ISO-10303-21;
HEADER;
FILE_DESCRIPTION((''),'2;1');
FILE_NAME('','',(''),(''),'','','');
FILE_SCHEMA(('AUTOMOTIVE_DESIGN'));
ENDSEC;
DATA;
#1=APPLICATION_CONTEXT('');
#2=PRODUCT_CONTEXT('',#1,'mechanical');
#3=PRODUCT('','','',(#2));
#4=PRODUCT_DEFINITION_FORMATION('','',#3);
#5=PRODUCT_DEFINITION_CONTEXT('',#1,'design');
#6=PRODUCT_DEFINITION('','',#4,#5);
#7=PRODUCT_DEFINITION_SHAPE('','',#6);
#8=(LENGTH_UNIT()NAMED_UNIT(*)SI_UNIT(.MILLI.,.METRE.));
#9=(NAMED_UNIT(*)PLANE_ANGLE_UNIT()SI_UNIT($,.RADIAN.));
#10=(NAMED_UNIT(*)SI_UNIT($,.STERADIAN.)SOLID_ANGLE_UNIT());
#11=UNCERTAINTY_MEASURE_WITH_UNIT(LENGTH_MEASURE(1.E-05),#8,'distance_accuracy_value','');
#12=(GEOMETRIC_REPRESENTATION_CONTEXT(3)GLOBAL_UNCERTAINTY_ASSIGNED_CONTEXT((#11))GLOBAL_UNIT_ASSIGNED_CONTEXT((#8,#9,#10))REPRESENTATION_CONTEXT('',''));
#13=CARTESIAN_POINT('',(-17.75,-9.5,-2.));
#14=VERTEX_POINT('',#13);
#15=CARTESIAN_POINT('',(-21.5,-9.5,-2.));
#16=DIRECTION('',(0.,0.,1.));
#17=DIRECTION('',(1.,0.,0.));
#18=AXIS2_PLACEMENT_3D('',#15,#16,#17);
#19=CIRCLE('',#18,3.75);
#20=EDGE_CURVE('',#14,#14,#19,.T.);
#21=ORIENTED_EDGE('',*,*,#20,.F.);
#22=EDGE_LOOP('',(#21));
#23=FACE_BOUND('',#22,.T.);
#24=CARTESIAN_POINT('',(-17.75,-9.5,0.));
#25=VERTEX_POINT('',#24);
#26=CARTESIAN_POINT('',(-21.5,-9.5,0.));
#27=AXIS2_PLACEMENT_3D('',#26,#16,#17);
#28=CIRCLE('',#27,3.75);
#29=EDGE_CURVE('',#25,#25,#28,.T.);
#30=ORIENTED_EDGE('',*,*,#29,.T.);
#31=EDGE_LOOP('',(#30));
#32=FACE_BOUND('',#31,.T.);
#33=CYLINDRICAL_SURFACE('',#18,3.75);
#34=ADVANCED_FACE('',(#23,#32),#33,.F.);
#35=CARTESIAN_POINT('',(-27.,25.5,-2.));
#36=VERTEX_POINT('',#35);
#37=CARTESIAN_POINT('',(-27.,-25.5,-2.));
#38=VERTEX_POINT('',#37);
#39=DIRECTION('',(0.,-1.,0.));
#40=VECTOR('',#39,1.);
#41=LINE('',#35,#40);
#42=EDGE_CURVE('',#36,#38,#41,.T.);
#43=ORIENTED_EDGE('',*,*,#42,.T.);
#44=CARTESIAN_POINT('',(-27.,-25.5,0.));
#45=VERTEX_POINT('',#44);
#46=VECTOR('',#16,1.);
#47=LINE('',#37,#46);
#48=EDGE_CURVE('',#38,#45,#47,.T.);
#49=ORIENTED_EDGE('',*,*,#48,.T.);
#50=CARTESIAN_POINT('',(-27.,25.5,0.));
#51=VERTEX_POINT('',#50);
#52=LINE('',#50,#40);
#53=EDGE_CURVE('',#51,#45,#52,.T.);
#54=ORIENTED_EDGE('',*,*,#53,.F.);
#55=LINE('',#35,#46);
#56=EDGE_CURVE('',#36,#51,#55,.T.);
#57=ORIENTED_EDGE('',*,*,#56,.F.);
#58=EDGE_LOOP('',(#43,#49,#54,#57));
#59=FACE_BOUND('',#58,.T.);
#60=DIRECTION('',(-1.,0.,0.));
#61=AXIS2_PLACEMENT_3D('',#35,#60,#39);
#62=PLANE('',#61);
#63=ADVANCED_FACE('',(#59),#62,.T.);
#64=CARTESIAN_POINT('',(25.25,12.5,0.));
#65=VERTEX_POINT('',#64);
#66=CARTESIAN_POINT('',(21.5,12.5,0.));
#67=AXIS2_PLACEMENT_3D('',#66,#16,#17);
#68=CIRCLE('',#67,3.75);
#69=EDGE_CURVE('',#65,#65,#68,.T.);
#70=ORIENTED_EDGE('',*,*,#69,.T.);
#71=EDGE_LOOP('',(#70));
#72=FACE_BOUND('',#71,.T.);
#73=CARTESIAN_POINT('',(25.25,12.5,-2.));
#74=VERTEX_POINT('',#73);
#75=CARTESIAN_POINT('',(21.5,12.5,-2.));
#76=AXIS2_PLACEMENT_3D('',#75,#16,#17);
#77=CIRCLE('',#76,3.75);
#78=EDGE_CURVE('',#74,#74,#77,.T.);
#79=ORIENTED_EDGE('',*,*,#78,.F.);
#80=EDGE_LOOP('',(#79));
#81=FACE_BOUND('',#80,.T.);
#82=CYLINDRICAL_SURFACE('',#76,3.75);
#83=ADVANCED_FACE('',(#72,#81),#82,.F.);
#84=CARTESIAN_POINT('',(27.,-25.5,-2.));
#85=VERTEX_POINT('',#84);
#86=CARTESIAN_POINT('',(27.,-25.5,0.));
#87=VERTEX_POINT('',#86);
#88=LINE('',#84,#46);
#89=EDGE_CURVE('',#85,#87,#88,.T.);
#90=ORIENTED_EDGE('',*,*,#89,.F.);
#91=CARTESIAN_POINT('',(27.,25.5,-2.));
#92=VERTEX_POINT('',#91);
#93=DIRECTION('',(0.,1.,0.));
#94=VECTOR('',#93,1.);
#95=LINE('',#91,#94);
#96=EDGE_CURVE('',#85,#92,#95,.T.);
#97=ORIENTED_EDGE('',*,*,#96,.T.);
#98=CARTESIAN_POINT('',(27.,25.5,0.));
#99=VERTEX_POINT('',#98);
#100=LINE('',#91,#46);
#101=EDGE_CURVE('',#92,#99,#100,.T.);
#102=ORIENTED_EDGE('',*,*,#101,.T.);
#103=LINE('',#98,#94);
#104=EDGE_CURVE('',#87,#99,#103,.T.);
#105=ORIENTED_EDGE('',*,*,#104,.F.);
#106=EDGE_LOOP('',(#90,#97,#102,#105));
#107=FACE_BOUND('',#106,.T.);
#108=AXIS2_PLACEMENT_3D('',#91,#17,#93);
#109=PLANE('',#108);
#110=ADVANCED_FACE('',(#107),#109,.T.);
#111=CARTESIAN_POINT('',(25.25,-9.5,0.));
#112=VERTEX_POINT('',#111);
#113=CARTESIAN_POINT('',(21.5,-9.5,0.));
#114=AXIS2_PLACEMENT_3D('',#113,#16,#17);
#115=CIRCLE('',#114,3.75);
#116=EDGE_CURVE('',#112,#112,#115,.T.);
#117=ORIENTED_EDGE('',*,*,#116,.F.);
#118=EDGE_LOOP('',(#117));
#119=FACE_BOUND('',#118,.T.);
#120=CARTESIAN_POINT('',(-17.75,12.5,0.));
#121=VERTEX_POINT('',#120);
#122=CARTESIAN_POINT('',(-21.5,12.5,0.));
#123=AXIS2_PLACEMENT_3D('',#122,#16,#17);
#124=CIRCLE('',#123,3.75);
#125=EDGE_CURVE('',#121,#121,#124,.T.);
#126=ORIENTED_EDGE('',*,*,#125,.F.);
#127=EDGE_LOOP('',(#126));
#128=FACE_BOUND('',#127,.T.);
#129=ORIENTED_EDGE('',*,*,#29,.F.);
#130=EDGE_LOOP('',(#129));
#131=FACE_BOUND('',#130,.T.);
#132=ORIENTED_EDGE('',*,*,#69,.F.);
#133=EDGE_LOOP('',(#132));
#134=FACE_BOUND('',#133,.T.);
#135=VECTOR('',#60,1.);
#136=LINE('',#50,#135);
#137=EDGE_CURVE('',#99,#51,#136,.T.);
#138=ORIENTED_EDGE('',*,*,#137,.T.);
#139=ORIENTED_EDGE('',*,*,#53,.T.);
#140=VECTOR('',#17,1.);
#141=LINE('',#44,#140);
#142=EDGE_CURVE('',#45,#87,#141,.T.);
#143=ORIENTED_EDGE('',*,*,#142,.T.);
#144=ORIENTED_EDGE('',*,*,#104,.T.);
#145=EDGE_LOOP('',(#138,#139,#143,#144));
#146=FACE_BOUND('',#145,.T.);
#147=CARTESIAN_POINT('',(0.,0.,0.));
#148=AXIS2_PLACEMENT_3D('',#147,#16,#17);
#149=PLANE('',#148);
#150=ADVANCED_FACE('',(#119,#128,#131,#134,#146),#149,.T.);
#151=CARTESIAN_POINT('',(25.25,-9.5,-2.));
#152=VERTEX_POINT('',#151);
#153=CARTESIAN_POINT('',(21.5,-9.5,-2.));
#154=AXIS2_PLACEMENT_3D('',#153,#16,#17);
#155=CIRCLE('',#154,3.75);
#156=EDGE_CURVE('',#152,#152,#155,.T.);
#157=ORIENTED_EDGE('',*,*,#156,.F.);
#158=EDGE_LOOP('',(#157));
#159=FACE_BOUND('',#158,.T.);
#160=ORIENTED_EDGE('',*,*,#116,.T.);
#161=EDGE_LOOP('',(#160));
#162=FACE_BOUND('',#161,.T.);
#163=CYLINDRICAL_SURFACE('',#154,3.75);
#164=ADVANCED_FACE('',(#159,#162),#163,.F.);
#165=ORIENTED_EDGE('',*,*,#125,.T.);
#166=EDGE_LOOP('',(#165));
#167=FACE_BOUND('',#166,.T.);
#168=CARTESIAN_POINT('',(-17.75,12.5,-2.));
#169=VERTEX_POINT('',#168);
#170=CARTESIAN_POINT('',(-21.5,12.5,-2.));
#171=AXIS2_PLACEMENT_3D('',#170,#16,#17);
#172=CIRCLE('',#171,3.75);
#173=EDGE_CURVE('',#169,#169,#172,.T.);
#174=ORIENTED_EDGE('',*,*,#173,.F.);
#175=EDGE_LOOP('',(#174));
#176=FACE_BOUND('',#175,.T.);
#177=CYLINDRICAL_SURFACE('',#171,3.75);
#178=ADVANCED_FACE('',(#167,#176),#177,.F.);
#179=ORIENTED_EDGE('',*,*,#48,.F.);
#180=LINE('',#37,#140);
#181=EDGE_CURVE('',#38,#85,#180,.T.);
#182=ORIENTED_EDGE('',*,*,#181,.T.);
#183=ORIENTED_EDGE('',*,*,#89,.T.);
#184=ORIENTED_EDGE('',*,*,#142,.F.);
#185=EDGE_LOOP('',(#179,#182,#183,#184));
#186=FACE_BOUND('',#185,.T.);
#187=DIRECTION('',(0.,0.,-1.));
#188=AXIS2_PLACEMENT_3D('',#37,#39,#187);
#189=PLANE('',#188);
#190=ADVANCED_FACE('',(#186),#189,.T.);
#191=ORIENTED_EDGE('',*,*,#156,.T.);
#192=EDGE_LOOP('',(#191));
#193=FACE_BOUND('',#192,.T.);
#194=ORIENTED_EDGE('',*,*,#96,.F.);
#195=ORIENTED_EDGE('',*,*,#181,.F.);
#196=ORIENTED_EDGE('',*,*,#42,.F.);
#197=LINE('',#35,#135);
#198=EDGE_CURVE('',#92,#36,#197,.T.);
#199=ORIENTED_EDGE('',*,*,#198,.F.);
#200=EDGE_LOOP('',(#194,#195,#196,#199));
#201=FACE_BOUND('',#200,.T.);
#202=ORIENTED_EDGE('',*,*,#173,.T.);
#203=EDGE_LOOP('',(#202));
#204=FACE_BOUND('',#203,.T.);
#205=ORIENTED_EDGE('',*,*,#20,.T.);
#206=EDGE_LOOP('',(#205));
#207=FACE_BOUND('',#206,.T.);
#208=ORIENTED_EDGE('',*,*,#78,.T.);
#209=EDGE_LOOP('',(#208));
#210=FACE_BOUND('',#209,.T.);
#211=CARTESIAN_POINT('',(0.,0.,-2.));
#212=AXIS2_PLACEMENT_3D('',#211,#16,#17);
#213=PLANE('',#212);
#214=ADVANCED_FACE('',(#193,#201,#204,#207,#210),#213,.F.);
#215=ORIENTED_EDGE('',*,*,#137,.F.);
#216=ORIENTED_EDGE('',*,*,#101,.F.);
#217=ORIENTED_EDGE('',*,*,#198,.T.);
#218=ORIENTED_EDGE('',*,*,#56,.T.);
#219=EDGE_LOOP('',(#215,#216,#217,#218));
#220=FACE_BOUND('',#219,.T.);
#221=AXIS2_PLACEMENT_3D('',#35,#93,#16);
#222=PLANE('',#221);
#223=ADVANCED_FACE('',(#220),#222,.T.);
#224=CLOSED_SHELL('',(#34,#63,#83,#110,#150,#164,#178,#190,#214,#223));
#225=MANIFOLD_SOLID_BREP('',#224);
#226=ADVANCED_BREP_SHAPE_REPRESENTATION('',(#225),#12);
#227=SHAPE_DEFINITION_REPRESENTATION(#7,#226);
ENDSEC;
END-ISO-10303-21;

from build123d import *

# Parameters (mm, degrees)
CROQUIS1_W              = 54
CROQUIS1_H              = 51
CROQUIS1_R              = 3.75
SALIENTE_EXTRUIR1_DEPTH = 2


with BuildPart() as part:
    # Croquis1 → Saliente-Extruir1 (new body)
    with BuildSketch(Plane.XY):
        Rectangle(CROQUIS1_W, CROQUIS1_H)
        with Locations((-21.5, 12.5)):
            Circle(CROQUIS1_R, mode=Mode.SUBTRACT)
        with Locations((21.5, 12.5)):
            Circle(CROQUIS1_R, mode=Mode.SUBTRACT)
        with Locations((21.5, -9.5)):
            Circle(CROQUIS1_R, mode=Mode.SUBTRACT)
        with Locations((-21.5, -9.5)):
            Circle(CROQUIS1_R, mode=Mode.SUBTRACT)
    extrude(amount=-SALIENTE_EXTRUIR1_DEPTH)


solid = part.part
